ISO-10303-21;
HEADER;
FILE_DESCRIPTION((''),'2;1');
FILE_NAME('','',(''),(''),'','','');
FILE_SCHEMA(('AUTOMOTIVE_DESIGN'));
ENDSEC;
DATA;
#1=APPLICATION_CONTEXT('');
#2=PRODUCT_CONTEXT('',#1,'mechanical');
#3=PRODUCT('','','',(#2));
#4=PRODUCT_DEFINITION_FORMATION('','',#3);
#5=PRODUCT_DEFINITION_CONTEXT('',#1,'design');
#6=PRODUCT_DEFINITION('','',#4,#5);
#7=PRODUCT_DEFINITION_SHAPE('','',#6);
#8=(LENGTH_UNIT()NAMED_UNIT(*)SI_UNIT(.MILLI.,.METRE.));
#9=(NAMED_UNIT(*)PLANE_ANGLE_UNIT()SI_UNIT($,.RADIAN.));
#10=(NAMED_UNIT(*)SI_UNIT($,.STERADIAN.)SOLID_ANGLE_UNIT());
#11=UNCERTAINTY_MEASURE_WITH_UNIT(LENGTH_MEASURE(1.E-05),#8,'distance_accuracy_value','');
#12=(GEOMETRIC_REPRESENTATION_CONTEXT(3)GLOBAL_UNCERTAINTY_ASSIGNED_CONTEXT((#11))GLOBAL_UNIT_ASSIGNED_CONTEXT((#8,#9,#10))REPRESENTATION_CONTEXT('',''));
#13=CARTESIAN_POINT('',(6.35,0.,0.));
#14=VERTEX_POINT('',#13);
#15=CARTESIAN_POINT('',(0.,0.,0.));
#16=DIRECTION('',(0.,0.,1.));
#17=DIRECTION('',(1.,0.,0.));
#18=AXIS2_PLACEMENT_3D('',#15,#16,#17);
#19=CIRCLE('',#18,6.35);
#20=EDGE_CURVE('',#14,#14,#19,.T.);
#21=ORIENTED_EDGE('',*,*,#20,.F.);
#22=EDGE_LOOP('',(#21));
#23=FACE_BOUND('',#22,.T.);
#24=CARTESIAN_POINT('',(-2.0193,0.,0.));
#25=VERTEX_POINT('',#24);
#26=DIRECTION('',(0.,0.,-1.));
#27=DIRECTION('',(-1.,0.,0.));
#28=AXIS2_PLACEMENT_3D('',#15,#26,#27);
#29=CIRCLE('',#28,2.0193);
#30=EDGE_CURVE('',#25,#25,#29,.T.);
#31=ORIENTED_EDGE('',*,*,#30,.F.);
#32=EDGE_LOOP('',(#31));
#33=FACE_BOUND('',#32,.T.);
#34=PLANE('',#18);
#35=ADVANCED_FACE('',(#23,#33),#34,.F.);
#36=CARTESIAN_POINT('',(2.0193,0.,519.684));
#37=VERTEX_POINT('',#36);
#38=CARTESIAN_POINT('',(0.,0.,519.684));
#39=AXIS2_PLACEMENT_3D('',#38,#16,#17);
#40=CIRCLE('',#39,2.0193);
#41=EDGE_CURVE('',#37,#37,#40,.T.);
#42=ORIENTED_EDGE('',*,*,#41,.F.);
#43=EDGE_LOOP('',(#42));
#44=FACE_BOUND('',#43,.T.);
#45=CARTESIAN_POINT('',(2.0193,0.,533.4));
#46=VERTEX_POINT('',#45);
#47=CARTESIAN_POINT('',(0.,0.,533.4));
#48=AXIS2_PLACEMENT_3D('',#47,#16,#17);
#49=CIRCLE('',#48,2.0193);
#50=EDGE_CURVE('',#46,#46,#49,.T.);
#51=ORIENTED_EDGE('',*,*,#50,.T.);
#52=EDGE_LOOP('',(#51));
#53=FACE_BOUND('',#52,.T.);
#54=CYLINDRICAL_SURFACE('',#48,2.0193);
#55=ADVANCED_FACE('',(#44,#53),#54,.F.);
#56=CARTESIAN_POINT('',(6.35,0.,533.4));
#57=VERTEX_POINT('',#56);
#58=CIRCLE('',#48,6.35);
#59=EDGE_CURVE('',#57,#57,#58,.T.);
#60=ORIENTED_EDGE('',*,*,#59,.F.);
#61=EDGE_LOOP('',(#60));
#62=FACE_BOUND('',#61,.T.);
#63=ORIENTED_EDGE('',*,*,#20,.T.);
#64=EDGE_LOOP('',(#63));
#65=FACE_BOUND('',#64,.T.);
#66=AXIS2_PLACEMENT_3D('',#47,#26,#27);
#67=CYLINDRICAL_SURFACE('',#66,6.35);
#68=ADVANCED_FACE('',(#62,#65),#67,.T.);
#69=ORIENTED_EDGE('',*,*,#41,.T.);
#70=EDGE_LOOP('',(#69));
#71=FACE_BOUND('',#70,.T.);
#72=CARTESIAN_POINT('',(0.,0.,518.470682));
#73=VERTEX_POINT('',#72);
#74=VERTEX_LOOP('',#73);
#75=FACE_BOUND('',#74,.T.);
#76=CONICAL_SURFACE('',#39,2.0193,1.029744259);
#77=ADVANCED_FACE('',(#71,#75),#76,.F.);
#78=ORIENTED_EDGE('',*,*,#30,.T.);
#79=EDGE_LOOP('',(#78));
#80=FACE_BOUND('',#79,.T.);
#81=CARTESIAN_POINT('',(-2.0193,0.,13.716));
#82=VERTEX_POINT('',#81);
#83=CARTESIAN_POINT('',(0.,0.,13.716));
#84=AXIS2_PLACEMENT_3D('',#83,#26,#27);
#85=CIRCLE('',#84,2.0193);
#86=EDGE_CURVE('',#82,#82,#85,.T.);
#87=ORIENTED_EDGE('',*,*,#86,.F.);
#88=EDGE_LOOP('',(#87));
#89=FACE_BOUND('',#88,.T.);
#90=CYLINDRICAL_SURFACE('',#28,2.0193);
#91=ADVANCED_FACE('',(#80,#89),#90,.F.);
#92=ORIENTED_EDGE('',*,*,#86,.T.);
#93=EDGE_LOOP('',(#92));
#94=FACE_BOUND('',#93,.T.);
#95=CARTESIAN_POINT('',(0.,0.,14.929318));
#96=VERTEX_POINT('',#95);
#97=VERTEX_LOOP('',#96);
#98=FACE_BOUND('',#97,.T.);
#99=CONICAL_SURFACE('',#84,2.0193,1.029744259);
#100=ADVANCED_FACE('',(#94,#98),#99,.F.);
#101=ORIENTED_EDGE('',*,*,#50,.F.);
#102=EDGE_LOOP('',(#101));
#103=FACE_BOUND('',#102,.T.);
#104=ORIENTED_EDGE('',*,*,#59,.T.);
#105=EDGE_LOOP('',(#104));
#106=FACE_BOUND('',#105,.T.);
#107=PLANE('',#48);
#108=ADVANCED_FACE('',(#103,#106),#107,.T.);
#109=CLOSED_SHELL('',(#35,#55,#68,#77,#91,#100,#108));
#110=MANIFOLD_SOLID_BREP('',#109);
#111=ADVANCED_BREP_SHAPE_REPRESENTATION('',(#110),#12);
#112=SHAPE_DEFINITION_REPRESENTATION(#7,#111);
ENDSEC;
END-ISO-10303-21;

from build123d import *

# Parameters (mm, degrees)
SKETCH1_R                  = 6.35
BOSS_EXTRUDE1_DEPTH        = 533.4
F_10_32_TAPPED_HOLE1_D     = 4.0386
F_10_32_TAPPED_HOLE1_DEPTH = 13.716
F_10_32_TAPPED_HOLE1_TIP   = 1.213317848
F_10_32_TAPPED_HOLE2_D     = 4.0386
F_10_32_TAPPED_HOLE2_DEPTH = 13.716
F_10_32_TAPPED_HOLE2_TIP   = 1.213317848


with BuildPart() as part:
    # Sketch1 → Boss-Extrude1 (new body)
    with BuildSketch(Plane.XY):
        Circle(SKETCH1_R)
    extrude(amount=BOSS_EXTRUDE1_DEPTH)

    # #10-32 Tapped Hole1
    with Locations(Plane.XY.offset(533.4)):
        with Locations((0, 0)):
            Hole(F_10_32_TAPPED_HOLE1_D / 2, depth=F_10_32_TAPPED_HOLE1_DEPTH)
            with Locations((0, 0, -(F_10_32_TAPPED_HOLE1_DEPTH + F_10_32_TAPPED_HOLE1_TIP / 2))):  # 118° drill point
                Cone(0, F_10_32_TAPPED_HOLE1_D / 2, F_10_32_TAPPED_HOLE1_TIP, mode=Mode.SUBTRACT)

    # #10-32 Tapped Hole2
    with Locations(Plane(origin=(0, 0, 0), x_dir=(-1, 0, 0), z_dir=(0, 0, -1))):
        with Locations((0, 0)):
            Hole(F_10_32_TAPPED_HOLE2_D / 2, depth=F_10_32_TAPPED_HOLE2_DEPTH)
            with Locations((0, 0, -(F_10_32_TAPPED_HOLE2_DEPTH + F_10_32_TAPPED_HOLE2_TIP / 2))):  # 118° drill point
                Cone(0, F_10_32_TAPPED_HOLE2_D / 2, F_10_32_TAPPED_HOLE2_TIP, mode=Mode.SUBTRACT)


solid = part.part
